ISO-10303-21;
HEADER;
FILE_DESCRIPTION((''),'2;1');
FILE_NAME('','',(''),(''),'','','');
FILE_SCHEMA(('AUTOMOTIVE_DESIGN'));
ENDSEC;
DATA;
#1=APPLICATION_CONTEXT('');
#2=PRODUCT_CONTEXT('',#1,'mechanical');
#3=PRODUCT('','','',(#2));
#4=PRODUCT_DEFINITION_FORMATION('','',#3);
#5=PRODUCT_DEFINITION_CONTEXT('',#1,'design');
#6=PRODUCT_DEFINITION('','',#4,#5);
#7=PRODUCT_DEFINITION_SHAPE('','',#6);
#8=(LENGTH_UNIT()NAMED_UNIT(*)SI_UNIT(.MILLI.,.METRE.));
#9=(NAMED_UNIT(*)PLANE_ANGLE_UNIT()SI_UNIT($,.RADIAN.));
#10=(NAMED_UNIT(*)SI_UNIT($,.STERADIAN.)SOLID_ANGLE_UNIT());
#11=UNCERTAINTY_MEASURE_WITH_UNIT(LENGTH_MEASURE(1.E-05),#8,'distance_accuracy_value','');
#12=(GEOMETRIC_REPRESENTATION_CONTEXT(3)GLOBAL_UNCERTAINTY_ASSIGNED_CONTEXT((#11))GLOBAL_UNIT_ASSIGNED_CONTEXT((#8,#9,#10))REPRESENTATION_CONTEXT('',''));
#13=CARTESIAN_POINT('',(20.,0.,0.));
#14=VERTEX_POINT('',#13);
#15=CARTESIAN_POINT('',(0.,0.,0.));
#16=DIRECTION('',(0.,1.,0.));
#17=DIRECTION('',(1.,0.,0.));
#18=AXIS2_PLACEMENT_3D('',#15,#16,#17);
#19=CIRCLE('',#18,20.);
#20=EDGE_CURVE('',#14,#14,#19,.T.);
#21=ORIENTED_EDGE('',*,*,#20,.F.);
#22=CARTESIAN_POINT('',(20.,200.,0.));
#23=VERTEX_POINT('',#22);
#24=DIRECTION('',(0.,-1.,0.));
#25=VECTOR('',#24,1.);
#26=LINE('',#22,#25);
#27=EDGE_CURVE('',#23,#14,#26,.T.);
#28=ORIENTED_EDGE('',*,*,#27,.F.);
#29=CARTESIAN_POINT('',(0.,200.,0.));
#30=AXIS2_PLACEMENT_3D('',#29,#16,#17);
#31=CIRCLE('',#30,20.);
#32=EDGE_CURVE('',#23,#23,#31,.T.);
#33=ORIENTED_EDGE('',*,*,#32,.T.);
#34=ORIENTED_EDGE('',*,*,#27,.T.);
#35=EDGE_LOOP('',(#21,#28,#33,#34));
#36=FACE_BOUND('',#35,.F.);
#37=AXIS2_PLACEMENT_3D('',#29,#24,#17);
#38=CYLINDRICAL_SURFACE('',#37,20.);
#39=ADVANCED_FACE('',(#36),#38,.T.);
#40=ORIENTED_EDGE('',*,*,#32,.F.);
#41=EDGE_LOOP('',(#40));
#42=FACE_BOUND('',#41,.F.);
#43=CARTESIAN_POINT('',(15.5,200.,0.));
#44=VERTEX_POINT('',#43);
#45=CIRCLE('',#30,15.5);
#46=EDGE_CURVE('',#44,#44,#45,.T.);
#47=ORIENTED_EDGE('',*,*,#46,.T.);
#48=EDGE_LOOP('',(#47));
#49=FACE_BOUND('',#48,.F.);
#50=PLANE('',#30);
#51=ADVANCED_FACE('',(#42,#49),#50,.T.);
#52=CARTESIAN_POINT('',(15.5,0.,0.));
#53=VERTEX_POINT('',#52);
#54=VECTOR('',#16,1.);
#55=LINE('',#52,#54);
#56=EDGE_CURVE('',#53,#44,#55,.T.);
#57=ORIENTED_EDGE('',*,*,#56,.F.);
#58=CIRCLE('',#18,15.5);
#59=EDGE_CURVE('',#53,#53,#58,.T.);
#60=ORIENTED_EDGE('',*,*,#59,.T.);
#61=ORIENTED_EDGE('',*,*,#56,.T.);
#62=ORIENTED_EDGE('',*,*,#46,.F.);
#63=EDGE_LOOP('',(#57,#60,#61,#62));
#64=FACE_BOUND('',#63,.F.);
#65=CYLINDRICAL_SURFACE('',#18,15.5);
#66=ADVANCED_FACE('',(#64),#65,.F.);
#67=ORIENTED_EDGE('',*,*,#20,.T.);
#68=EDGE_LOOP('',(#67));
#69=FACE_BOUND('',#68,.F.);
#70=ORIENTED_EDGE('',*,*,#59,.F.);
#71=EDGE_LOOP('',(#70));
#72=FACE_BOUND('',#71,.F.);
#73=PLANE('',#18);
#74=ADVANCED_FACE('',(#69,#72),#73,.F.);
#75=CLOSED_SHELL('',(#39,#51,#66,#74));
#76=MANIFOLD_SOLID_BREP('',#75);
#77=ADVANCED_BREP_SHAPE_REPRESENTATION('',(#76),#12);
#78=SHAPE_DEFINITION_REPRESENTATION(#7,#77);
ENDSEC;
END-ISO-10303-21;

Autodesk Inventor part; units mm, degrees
ref_plane "YZ Plane" through (0, 0, 0) normal (1, 0, 0) x (0, 1, 0)
ref_plane "XZ Plane" through (0, 0, 0) normal (0, 1, 0) x (-1, 0, 0)
ref_plane "XY Plane" through (0, 0, 0) normal (0, 0, 1) x (1, 0, 0)
sketch "Sketch1" plane through (0, 0, 0) normal (0, 0, 1) x (1, 0, 0)
  line L0 (15.5, 0) -> (15.5, 200)
  line L1 (15.5, 200) -> (20, 200)
  line L2 (20, 200) -> (20, 0)
  line L3 (20, 0) -> (15.5, 0)
  line L4 (0, -40) -> (0, 240) projected
  point P0 (0, 0)
  dimension "d1" = 20
  dimension "d2" = 15.5
  dimension "d3" = 200
revolve "Revolution1" add sketch "Sketch1" angle 360 about axis through (0, -10, 0) along (0, 1, 0)
properties part number "casing" material "PVC, Unplasticized"
